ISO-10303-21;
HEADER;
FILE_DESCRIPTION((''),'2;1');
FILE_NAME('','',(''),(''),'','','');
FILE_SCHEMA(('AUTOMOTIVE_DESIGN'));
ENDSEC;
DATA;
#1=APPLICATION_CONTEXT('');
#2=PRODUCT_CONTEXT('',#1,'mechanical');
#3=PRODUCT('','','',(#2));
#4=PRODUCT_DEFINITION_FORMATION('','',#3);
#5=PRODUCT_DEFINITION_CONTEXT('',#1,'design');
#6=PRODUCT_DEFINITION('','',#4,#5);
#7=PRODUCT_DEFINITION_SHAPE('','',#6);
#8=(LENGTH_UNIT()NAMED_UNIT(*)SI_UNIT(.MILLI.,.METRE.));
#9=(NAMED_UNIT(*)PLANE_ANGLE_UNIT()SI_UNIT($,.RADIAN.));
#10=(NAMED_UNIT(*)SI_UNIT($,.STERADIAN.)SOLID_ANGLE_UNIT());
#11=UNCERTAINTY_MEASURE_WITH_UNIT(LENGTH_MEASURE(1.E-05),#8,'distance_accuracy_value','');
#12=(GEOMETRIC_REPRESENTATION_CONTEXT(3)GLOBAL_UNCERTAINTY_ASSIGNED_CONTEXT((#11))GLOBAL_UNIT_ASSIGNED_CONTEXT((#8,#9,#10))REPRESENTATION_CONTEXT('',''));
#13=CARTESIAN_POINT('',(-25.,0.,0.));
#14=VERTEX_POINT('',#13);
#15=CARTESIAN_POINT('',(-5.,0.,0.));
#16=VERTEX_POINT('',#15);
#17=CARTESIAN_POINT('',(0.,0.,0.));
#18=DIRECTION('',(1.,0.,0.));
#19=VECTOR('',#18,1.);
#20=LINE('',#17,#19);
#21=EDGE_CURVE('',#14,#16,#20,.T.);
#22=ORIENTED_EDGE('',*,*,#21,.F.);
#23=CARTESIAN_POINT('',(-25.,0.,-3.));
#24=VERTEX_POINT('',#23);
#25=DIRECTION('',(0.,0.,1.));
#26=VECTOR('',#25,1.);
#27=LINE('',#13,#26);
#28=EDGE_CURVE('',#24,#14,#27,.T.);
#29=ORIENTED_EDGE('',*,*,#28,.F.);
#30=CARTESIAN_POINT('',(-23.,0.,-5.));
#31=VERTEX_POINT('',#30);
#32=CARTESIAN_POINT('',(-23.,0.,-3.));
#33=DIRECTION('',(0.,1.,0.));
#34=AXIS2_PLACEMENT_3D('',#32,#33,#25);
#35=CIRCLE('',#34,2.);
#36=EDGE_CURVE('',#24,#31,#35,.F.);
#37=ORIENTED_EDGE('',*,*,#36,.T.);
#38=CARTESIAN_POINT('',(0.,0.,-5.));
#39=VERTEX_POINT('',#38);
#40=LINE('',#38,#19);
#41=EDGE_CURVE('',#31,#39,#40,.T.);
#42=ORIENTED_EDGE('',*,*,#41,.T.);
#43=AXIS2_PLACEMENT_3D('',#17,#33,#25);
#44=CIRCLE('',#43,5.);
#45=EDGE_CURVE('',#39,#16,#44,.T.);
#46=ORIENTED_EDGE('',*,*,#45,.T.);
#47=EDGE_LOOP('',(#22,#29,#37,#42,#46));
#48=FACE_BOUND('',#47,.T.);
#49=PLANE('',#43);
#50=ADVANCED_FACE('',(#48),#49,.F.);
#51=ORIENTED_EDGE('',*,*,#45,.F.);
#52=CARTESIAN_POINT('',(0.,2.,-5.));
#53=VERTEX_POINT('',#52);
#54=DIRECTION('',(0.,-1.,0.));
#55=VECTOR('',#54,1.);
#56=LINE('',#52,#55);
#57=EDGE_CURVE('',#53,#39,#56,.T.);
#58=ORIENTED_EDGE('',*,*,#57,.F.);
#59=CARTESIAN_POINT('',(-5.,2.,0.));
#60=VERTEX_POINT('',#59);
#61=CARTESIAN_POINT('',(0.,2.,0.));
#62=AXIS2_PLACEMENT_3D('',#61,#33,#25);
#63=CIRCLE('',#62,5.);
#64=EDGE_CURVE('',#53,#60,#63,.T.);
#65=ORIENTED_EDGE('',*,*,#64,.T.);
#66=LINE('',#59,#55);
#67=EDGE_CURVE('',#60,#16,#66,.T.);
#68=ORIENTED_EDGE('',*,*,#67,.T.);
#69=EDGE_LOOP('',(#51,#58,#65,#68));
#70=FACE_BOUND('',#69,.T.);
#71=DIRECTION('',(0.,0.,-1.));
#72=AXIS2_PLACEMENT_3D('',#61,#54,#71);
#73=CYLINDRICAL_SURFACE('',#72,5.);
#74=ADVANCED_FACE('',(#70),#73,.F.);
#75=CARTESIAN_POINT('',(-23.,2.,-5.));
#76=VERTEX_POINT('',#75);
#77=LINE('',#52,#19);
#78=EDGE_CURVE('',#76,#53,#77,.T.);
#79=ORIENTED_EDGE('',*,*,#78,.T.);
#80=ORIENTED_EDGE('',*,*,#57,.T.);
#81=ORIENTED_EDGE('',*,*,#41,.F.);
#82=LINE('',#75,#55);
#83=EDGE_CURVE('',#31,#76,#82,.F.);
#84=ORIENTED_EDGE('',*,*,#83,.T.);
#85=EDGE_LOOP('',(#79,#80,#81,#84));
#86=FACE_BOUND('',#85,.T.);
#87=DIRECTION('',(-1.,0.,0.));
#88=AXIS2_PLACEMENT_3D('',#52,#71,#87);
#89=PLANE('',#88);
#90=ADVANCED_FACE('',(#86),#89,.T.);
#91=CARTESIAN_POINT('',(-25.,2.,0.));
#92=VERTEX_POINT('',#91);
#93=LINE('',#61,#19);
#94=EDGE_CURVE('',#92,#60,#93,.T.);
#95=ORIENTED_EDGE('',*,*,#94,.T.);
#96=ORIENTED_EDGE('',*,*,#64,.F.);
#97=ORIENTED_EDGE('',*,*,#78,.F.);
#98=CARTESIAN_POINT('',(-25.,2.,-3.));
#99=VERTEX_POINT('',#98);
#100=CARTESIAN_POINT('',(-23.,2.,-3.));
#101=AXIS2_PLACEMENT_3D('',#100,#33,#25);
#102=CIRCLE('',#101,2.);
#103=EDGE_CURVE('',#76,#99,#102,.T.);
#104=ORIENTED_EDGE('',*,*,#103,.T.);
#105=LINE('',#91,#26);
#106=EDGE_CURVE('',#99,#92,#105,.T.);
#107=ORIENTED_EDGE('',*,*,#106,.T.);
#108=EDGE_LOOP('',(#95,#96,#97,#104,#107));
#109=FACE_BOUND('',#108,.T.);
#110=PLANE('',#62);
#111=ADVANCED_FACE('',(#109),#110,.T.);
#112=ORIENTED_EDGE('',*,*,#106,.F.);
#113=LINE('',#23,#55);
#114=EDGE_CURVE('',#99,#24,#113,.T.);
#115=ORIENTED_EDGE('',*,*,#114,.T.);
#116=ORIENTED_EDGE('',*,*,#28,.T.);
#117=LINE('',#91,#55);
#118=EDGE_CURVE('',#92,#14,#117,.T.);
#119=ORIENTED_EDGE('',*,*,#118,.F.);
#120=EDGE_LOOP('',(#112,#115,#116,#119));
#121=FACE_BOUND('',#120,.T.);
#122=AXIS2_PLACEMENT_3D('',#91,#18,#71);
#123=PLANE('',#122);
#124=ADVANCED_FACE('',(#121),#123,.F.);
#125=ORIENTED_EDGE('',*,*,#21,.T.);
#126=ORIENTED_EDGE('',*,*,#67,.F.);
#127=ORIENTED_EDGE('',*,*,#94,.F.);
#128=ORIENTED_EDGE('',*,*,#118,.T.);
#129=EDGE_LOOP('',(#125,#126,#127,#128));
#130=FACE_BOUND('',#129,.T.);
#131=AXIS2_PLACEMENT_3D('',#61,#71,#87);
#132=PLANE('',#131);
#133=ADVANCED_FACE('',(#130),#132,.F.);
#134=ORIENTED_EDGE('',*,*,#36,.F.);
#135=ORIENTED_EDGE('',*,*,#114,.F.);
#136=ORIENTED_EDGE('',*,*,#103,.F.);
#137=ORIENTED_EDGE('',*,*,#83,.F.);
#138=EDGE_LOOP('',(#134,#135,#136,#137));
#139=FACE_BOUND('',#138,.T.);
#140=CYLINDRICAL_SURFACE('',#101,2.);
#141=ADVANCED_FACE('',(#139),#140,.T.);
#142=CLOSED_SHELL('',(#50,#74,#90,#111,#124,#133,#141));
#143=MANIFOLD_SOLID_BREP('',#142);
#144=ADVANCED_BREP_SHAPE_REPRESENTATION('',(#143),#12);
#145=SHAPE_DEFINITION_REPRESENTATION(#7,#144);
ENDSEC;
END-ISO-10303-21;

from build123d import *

# Parameters (mm, degrees)
BOSS_EXTRUDE1_DEPTH = 2
FILLET1_R           = 2


with BuildPart() as part:
    # Sketch1 → Boss-Extrude1 (new body)
    with BuildSketch(Plane(origin=(0, 0, 0), x_dir=(1, 0, 0), z_dir=(0, 1, 0))):
        with BuildLine():
            Line((0, 5), (-25, 5))
            Line((-25, 5), (-25, 0))
            Line((-25, 0), (-5, 0))
            ThreePointArc((-5, 0), (-3.535533906, 3.535533906), (0, 5))
        make_face()
    extrude(amount=BOSS_EXTRUDE1_DEPTH)

    # Fillet1
    fillet1_edges = [part.edges().sort_by_distance(p)[0] for p in [
        (-25, 1, -5),
    ]]
    fillet(fillet1_edges, radius=FILLET1_R)


solid = part.part
